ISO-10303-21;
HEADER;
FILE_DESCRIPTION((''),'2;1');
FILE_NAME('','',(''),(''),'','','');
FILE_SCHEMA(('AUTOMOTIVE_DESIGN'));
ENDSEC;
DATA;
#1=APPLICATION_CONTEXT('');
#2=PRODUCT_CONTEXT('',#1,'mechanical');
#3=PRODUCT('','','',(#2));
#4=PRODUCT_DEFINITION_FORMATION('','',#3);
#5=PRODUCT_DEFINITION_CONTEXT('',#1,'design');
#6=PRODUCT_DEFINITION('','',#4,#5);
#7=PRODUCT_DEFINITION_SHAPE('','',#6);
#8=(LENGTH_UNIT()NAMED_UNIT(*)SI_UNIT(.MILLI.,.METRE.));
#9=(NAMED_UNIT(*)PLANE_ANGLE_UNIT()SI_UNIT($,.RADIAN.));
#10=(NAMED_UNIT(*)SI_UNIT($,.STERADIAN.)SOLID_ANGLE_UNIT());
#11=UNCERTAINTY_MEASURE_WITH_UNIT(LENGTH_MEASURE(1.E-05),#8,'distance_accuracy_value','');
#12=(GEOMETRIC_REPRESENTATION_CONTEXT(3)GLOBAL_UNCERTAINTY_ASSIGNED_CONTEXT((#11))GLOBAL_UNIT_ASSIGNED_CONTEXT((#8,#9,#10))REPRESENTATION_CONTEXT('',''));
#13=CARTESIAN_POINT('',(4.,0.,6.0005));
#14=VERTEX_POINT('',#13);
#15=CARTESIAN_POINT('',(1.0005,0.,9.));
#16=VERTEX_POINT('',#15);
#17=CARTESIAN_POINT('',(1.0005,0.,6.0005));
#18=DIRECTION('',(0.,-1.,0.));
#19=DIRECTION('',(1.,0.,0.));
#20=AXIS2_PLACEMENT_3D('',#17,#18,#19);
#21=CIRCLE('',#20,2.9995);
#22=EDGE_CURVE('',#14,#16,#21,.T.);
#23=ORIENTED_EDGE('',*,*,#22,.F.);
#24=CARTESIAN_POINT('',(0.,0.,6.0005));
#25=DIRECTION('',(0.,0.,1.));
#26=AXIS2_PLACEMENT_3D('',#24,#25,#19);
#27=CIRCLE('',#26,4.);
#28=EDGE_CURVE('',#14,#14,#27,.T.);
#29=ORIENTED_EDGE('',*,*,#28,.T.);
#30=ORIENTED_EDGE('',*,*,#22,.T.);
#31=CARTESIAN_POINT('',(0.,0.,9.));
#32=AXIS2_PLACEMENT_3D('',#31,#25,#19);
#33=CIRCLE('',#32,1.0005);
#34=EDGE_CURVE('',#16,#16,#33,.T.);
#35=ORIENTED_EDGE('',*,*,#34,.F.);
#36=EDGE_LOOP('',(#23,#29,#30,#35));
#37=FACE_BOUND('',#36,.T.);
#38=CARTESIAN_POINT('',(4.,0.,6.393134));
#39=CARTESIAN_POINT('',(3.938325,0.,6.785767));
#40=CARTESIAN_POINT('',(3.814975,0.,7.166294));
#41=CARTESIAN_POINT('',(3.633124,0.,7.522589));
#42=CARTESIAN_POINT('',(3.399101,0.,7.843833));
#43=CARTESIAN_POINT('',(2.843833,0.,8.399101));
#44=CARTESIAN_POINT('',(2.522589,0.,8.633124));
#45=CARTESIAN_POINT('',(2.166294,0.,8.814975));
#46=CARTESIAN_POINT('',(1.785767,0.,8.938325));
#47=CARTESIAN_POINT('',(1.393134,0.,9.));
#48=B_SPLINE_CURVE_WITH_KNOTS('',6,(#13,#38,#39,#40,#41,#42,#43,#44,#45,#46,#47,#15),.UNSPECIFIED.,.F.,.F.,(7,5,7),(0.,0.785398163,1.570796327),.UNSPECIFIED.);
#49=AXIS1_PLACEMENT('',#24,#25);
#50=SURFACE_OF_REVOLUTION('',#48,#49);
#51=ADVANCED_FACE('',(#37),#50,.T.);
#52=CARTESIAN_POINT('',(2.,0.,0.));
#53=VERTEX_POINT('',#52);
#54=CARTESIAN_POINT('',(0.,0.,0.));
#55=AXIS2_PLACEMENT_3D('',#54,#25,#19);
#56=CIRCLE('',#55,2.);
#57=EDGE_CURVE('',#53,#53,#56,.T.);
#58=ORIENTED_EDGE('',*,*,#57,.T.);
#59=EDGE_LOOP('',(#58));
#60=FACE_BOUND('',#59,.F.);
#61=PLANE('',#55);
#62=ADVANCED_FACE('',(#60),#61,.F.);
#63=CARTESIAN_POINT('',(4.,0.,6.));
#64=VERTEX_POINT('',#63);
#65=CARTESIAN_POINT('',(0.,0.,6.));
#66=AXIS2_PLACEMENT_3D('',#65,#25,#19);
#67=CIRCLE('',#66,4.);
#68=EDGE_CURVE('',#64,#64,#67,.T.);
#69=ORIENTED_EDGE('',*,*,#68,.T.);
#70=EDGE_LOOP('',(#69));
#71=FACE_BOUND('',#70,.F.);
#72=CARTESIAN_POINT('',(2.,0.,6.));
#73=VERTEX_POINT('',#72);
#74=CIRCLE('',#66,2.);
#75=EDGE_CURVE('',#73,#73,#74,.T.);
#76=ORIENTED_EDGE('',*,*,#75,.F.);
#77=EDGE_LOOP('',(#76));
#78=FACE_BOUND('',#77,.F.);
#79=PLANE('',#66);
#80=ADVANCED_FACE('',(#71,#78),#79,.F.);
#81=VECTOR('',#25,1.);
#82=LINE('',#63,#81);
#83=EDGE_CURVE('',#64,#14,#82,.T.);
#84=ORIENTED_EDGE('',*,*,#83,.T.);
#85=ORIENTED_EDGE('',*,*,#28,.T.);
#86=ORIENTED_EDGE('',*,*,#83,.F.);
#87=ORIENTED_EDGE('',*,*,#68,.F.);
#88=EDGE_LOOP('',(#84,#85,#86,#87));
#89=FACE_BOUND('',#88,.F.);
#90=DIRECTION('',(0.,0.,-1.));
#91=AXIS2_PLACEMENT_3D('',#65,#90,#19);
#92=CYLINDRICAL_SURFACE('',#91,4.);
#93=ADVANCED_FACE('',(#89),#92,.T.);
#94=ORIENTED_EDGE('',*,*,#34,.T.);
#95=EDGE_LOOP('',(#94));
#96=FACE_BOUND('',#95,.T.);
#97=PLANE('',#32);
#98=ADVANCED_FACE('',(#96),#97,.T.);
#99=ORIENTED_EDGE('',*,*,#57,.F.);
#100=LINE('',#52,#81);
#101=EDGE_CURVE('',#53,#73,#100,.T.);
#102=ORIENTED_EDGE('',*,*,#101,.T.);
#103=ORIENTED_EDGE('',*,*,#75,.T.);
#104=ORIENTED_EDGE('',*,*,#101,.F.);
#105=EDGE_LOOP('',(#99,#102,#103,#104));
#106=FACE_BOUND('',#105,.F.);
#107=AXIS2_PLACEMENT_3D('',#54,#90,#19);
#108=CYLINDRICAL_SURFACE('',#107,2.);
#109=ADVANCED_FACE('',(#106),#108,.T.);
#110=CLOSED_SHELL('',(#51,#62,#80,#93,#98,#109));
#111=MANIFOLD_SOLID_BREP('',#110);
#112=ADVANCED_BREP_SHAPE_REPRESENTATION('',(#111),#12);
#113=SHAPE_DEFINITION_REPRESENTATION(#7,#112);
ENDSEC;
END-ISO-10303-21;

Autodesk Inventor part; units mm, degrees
ref_plane "YZ Plane" through (0, 0, 0) normal (1, 0, 0) x (0, 1, 0)
ref_plane "XZ Plane" through (0, 0, 0) normal (0, 1, 0) x (-1, 0, 0)
ref_plane "XY Plane" through (0, 0, 0) normal (0, 0, 1) x (1, 0, 0)
sketch "スケッチ1" plane through (0, 0, 0) normal (0, 0, 1) x (1, 0, 0)
  circle A0 centre (0, 0) radius 2
  dimension "d0" = 4
extrude "押し出し1" add sketch "スケッチ1" along normal blind 6
sketch "スケッチ2" plane through (0, 0, 6) normal (0, 0, 1) x (1, 0, 0)
  circle A0 centre (0, 0) radius 2 projected
  circle A1 centre (0, 0) radius 4
  dimension "d3" = 8
extrude "押し出し2" add sketch "スケッチ2" along normal blind 3 contours A0 | A1
fillet "フィレット1" radius 3 1 edges at (-4, 0, 9)
thread "ねじ1" size "M4x0.7" class "6g" standard "ANSI Metric M Profile" full length
properties part number "SB　M4 6mm なべネジ" material "Stainless Steel, 440C"
